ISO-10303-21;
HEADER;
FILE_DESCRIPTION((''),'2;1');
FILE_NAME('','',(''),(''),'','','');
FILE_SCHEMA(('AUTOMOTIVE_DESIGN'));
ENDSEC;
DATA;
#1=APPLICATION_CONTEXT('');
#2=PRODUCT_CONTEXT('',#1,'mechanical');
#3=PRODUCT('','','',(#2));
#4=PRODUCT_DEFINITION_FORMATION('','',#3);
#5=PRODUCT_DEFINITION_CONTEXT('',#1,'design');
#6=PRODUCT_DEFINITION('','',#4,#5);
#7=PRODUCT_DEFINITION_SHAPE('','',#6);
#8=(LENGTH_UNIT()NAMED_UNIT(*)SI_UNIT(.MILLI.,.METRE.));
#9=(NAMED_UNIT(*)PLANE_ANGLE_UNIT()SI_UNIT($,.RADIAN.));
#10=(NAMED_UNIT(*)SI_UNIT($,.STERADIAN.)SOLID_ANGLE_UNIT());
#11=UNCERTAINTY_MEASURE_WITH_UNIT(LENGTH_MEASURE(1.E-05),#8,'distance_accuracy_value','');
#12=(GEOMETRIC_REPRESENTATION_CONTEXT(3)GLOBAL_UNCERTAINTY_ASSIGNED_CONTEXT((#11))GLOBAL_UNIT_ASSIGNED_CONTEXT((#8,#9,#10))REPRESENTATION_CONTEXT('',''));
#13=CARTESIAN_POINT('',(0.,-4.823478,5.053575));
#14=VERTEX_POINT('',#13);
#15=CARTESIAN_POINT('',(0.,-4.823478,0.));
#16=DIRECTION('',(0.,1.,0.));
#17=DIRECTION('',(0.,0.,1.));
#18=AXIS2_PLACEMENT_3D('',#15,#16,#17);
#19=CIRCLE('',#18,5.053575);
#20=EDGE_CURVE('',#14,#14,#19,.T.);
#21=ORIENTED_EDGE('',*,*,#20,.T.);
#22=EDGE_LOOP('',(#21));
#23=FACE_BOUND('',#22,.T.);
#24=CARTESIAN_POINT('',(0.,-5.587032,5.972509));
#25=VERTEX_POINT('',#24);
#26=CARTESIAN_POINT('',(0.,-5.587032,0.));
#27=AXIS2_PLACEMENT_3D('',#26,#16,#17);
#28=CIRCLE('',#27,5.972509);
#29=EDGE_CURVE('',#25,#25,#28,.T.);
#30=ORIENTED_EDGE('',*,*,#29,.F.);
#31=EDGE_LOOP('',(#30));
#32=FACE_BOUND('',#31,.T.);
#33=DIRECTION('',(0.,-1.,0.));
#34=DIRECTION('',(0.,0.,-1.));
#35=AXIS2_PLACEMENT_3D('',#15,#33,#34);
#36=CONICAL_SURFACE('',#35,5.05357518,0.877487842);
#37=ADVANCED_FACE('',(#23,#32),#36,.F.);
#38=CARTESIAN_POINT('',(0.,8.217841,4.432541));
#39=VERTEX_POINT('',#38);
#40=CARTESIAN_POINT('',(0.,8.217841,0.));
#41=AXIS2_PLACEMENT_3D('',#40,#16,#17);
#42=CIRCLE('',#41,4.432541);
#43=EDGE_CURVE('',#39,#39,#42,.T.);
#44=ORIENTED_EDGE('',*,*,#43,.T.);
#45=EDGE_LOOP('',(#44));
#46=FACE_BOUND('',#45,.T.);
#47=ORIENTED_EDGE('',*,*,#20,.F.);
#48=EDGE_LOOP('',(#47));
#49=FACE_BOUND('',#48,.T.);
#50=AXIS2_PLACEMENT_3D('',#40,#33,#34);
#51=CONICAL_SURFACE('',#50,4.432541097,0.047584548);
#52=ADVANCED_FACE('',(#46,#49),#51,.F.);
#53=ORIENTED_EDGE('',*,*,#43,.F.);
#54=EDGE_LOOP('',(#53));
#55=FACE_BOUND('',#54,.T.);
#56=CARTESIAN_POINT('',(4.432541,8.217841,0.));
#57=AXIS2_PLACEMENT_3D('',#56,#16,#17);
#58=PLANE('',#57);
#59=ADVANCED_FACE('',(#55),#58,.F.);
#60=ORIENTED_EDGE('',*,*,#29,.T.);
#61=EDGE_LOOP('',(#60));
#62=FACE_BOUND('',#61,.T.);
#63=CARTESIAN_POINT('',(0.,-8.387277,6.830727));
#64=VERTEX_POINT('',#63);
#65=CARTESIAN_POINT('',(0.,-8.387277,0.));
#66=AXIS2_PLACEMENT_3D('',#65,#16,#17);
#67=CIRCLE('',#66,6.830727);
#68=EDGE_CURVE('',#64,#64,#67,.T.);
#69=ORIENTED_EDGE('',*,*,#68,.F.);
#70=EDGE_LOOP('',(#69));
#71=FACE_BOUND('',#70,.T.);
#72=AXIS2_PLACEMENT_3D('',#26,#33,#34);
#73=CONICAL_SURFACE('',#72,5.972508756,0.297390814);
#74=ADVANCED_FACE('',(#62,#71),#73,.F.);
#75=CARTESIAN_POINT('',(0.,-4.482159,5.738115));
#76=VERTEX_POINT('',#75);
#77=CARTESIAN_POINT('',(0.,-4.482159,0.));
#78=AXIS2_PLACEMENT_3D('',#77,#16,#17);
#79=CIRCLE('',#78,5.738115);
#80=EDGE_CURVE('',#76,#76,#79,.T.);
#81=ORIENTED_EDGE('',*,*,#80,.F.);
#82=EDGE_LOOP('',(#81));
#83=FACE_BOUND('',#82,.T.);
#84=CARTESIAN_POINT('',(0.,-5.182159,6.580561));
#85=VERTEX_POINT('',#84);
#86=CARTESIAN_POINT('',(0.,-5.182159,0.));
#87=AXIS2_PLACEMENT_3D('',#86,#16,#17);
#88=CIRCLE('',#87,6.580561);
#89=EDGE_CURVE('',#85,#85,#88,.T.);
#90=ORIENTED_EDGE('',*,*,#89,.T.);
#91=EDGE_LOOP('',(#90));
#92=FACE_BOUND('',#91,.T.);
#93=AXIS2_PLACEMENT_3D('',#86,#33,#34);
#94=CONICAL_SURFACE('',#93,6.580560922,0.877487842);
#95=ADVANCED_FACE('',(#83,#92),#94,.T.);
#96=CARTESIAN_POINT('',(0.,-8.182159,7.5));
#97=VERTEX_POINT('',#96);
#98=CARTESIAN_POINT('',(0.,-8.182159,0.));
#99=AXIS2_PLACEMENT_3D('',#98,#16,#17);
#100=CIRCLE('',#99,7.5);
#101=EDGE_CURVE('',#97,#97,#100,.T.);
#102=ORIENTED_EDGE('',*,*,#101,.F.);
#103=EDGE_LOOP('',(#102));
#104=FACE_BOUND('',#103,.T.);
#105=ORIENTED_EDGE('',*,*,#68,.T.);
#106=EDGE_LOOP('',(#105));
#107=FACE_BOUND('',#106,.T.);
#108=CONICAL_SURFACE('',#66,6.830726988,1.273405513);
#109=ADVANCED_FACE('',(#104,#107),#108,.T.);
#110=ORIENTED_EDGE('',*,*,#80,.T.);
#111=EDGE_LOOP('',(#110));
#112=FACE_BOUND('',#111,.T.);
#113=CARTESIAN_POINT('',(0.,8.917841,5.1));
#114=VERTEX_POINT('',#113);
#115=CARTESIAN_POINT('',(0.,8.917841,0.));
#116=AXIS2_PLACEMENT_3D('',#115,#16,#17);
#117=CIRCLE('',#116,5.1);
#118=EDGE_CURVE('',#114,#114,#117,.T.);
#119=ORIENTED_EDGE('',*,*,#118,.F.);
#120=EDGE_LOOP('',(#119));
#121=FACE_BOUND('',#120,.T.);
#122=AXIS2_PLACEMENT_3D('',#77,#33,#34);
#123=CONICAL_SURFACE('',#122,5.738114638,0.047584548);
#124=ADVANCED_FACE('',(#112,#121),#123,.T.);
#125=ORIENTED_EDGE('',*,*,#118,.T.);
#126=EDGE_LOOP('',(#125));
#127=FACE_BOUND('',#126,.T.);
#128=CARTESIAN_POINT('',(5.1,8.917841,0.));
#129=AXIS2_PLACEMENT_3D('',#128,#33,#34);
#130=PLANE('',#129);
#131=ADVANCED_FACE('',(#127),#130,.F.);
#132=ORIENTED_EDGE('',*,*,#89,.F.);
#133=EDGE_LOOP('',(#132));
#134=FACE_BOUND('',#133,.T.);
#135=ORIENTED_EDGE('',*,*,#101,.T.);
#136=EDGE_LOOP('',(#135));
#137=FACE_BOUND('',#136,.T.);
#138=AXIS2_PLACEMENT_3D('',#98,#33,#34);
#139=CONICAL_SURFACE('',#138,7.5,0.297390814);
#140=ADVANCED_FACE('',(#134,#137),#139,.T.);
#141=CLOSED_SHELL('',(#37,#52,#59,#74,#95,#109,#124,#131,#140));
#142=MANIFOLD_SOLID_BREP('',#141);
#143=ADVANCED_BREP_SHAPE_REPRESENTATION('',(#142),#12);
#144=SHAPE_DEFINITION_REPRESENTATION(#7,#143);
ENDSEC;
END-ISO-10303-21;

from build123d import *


with BuildPart() as part:
    # Schizzo1 → Rivoluzione1 (revolve)
    with BuildSketch(Plane.XY, mode=Mode.PRIVATE) as rivoluzione1_sk:
        Polygon((6.830726988, -8.387277259), (5.972508756, -5.587032245), (5.05357518, -4.82347792), (4.432541097, 8.217841328), (0, 8.217841328), (0, 8.917841328), (5.1, 8.917841328), (5.738114638, -4.482158672), (6.580560922, -5.182158672), (7.5, -8.182158672), align=None)
    revolve(rivoluzione1_sk.sketch.rotate(Axis((0, 55, 0), (0, -1, 0)), 90), axis=Axis((0, 55, 0), (0, -1, 0)))


solid = part.part
